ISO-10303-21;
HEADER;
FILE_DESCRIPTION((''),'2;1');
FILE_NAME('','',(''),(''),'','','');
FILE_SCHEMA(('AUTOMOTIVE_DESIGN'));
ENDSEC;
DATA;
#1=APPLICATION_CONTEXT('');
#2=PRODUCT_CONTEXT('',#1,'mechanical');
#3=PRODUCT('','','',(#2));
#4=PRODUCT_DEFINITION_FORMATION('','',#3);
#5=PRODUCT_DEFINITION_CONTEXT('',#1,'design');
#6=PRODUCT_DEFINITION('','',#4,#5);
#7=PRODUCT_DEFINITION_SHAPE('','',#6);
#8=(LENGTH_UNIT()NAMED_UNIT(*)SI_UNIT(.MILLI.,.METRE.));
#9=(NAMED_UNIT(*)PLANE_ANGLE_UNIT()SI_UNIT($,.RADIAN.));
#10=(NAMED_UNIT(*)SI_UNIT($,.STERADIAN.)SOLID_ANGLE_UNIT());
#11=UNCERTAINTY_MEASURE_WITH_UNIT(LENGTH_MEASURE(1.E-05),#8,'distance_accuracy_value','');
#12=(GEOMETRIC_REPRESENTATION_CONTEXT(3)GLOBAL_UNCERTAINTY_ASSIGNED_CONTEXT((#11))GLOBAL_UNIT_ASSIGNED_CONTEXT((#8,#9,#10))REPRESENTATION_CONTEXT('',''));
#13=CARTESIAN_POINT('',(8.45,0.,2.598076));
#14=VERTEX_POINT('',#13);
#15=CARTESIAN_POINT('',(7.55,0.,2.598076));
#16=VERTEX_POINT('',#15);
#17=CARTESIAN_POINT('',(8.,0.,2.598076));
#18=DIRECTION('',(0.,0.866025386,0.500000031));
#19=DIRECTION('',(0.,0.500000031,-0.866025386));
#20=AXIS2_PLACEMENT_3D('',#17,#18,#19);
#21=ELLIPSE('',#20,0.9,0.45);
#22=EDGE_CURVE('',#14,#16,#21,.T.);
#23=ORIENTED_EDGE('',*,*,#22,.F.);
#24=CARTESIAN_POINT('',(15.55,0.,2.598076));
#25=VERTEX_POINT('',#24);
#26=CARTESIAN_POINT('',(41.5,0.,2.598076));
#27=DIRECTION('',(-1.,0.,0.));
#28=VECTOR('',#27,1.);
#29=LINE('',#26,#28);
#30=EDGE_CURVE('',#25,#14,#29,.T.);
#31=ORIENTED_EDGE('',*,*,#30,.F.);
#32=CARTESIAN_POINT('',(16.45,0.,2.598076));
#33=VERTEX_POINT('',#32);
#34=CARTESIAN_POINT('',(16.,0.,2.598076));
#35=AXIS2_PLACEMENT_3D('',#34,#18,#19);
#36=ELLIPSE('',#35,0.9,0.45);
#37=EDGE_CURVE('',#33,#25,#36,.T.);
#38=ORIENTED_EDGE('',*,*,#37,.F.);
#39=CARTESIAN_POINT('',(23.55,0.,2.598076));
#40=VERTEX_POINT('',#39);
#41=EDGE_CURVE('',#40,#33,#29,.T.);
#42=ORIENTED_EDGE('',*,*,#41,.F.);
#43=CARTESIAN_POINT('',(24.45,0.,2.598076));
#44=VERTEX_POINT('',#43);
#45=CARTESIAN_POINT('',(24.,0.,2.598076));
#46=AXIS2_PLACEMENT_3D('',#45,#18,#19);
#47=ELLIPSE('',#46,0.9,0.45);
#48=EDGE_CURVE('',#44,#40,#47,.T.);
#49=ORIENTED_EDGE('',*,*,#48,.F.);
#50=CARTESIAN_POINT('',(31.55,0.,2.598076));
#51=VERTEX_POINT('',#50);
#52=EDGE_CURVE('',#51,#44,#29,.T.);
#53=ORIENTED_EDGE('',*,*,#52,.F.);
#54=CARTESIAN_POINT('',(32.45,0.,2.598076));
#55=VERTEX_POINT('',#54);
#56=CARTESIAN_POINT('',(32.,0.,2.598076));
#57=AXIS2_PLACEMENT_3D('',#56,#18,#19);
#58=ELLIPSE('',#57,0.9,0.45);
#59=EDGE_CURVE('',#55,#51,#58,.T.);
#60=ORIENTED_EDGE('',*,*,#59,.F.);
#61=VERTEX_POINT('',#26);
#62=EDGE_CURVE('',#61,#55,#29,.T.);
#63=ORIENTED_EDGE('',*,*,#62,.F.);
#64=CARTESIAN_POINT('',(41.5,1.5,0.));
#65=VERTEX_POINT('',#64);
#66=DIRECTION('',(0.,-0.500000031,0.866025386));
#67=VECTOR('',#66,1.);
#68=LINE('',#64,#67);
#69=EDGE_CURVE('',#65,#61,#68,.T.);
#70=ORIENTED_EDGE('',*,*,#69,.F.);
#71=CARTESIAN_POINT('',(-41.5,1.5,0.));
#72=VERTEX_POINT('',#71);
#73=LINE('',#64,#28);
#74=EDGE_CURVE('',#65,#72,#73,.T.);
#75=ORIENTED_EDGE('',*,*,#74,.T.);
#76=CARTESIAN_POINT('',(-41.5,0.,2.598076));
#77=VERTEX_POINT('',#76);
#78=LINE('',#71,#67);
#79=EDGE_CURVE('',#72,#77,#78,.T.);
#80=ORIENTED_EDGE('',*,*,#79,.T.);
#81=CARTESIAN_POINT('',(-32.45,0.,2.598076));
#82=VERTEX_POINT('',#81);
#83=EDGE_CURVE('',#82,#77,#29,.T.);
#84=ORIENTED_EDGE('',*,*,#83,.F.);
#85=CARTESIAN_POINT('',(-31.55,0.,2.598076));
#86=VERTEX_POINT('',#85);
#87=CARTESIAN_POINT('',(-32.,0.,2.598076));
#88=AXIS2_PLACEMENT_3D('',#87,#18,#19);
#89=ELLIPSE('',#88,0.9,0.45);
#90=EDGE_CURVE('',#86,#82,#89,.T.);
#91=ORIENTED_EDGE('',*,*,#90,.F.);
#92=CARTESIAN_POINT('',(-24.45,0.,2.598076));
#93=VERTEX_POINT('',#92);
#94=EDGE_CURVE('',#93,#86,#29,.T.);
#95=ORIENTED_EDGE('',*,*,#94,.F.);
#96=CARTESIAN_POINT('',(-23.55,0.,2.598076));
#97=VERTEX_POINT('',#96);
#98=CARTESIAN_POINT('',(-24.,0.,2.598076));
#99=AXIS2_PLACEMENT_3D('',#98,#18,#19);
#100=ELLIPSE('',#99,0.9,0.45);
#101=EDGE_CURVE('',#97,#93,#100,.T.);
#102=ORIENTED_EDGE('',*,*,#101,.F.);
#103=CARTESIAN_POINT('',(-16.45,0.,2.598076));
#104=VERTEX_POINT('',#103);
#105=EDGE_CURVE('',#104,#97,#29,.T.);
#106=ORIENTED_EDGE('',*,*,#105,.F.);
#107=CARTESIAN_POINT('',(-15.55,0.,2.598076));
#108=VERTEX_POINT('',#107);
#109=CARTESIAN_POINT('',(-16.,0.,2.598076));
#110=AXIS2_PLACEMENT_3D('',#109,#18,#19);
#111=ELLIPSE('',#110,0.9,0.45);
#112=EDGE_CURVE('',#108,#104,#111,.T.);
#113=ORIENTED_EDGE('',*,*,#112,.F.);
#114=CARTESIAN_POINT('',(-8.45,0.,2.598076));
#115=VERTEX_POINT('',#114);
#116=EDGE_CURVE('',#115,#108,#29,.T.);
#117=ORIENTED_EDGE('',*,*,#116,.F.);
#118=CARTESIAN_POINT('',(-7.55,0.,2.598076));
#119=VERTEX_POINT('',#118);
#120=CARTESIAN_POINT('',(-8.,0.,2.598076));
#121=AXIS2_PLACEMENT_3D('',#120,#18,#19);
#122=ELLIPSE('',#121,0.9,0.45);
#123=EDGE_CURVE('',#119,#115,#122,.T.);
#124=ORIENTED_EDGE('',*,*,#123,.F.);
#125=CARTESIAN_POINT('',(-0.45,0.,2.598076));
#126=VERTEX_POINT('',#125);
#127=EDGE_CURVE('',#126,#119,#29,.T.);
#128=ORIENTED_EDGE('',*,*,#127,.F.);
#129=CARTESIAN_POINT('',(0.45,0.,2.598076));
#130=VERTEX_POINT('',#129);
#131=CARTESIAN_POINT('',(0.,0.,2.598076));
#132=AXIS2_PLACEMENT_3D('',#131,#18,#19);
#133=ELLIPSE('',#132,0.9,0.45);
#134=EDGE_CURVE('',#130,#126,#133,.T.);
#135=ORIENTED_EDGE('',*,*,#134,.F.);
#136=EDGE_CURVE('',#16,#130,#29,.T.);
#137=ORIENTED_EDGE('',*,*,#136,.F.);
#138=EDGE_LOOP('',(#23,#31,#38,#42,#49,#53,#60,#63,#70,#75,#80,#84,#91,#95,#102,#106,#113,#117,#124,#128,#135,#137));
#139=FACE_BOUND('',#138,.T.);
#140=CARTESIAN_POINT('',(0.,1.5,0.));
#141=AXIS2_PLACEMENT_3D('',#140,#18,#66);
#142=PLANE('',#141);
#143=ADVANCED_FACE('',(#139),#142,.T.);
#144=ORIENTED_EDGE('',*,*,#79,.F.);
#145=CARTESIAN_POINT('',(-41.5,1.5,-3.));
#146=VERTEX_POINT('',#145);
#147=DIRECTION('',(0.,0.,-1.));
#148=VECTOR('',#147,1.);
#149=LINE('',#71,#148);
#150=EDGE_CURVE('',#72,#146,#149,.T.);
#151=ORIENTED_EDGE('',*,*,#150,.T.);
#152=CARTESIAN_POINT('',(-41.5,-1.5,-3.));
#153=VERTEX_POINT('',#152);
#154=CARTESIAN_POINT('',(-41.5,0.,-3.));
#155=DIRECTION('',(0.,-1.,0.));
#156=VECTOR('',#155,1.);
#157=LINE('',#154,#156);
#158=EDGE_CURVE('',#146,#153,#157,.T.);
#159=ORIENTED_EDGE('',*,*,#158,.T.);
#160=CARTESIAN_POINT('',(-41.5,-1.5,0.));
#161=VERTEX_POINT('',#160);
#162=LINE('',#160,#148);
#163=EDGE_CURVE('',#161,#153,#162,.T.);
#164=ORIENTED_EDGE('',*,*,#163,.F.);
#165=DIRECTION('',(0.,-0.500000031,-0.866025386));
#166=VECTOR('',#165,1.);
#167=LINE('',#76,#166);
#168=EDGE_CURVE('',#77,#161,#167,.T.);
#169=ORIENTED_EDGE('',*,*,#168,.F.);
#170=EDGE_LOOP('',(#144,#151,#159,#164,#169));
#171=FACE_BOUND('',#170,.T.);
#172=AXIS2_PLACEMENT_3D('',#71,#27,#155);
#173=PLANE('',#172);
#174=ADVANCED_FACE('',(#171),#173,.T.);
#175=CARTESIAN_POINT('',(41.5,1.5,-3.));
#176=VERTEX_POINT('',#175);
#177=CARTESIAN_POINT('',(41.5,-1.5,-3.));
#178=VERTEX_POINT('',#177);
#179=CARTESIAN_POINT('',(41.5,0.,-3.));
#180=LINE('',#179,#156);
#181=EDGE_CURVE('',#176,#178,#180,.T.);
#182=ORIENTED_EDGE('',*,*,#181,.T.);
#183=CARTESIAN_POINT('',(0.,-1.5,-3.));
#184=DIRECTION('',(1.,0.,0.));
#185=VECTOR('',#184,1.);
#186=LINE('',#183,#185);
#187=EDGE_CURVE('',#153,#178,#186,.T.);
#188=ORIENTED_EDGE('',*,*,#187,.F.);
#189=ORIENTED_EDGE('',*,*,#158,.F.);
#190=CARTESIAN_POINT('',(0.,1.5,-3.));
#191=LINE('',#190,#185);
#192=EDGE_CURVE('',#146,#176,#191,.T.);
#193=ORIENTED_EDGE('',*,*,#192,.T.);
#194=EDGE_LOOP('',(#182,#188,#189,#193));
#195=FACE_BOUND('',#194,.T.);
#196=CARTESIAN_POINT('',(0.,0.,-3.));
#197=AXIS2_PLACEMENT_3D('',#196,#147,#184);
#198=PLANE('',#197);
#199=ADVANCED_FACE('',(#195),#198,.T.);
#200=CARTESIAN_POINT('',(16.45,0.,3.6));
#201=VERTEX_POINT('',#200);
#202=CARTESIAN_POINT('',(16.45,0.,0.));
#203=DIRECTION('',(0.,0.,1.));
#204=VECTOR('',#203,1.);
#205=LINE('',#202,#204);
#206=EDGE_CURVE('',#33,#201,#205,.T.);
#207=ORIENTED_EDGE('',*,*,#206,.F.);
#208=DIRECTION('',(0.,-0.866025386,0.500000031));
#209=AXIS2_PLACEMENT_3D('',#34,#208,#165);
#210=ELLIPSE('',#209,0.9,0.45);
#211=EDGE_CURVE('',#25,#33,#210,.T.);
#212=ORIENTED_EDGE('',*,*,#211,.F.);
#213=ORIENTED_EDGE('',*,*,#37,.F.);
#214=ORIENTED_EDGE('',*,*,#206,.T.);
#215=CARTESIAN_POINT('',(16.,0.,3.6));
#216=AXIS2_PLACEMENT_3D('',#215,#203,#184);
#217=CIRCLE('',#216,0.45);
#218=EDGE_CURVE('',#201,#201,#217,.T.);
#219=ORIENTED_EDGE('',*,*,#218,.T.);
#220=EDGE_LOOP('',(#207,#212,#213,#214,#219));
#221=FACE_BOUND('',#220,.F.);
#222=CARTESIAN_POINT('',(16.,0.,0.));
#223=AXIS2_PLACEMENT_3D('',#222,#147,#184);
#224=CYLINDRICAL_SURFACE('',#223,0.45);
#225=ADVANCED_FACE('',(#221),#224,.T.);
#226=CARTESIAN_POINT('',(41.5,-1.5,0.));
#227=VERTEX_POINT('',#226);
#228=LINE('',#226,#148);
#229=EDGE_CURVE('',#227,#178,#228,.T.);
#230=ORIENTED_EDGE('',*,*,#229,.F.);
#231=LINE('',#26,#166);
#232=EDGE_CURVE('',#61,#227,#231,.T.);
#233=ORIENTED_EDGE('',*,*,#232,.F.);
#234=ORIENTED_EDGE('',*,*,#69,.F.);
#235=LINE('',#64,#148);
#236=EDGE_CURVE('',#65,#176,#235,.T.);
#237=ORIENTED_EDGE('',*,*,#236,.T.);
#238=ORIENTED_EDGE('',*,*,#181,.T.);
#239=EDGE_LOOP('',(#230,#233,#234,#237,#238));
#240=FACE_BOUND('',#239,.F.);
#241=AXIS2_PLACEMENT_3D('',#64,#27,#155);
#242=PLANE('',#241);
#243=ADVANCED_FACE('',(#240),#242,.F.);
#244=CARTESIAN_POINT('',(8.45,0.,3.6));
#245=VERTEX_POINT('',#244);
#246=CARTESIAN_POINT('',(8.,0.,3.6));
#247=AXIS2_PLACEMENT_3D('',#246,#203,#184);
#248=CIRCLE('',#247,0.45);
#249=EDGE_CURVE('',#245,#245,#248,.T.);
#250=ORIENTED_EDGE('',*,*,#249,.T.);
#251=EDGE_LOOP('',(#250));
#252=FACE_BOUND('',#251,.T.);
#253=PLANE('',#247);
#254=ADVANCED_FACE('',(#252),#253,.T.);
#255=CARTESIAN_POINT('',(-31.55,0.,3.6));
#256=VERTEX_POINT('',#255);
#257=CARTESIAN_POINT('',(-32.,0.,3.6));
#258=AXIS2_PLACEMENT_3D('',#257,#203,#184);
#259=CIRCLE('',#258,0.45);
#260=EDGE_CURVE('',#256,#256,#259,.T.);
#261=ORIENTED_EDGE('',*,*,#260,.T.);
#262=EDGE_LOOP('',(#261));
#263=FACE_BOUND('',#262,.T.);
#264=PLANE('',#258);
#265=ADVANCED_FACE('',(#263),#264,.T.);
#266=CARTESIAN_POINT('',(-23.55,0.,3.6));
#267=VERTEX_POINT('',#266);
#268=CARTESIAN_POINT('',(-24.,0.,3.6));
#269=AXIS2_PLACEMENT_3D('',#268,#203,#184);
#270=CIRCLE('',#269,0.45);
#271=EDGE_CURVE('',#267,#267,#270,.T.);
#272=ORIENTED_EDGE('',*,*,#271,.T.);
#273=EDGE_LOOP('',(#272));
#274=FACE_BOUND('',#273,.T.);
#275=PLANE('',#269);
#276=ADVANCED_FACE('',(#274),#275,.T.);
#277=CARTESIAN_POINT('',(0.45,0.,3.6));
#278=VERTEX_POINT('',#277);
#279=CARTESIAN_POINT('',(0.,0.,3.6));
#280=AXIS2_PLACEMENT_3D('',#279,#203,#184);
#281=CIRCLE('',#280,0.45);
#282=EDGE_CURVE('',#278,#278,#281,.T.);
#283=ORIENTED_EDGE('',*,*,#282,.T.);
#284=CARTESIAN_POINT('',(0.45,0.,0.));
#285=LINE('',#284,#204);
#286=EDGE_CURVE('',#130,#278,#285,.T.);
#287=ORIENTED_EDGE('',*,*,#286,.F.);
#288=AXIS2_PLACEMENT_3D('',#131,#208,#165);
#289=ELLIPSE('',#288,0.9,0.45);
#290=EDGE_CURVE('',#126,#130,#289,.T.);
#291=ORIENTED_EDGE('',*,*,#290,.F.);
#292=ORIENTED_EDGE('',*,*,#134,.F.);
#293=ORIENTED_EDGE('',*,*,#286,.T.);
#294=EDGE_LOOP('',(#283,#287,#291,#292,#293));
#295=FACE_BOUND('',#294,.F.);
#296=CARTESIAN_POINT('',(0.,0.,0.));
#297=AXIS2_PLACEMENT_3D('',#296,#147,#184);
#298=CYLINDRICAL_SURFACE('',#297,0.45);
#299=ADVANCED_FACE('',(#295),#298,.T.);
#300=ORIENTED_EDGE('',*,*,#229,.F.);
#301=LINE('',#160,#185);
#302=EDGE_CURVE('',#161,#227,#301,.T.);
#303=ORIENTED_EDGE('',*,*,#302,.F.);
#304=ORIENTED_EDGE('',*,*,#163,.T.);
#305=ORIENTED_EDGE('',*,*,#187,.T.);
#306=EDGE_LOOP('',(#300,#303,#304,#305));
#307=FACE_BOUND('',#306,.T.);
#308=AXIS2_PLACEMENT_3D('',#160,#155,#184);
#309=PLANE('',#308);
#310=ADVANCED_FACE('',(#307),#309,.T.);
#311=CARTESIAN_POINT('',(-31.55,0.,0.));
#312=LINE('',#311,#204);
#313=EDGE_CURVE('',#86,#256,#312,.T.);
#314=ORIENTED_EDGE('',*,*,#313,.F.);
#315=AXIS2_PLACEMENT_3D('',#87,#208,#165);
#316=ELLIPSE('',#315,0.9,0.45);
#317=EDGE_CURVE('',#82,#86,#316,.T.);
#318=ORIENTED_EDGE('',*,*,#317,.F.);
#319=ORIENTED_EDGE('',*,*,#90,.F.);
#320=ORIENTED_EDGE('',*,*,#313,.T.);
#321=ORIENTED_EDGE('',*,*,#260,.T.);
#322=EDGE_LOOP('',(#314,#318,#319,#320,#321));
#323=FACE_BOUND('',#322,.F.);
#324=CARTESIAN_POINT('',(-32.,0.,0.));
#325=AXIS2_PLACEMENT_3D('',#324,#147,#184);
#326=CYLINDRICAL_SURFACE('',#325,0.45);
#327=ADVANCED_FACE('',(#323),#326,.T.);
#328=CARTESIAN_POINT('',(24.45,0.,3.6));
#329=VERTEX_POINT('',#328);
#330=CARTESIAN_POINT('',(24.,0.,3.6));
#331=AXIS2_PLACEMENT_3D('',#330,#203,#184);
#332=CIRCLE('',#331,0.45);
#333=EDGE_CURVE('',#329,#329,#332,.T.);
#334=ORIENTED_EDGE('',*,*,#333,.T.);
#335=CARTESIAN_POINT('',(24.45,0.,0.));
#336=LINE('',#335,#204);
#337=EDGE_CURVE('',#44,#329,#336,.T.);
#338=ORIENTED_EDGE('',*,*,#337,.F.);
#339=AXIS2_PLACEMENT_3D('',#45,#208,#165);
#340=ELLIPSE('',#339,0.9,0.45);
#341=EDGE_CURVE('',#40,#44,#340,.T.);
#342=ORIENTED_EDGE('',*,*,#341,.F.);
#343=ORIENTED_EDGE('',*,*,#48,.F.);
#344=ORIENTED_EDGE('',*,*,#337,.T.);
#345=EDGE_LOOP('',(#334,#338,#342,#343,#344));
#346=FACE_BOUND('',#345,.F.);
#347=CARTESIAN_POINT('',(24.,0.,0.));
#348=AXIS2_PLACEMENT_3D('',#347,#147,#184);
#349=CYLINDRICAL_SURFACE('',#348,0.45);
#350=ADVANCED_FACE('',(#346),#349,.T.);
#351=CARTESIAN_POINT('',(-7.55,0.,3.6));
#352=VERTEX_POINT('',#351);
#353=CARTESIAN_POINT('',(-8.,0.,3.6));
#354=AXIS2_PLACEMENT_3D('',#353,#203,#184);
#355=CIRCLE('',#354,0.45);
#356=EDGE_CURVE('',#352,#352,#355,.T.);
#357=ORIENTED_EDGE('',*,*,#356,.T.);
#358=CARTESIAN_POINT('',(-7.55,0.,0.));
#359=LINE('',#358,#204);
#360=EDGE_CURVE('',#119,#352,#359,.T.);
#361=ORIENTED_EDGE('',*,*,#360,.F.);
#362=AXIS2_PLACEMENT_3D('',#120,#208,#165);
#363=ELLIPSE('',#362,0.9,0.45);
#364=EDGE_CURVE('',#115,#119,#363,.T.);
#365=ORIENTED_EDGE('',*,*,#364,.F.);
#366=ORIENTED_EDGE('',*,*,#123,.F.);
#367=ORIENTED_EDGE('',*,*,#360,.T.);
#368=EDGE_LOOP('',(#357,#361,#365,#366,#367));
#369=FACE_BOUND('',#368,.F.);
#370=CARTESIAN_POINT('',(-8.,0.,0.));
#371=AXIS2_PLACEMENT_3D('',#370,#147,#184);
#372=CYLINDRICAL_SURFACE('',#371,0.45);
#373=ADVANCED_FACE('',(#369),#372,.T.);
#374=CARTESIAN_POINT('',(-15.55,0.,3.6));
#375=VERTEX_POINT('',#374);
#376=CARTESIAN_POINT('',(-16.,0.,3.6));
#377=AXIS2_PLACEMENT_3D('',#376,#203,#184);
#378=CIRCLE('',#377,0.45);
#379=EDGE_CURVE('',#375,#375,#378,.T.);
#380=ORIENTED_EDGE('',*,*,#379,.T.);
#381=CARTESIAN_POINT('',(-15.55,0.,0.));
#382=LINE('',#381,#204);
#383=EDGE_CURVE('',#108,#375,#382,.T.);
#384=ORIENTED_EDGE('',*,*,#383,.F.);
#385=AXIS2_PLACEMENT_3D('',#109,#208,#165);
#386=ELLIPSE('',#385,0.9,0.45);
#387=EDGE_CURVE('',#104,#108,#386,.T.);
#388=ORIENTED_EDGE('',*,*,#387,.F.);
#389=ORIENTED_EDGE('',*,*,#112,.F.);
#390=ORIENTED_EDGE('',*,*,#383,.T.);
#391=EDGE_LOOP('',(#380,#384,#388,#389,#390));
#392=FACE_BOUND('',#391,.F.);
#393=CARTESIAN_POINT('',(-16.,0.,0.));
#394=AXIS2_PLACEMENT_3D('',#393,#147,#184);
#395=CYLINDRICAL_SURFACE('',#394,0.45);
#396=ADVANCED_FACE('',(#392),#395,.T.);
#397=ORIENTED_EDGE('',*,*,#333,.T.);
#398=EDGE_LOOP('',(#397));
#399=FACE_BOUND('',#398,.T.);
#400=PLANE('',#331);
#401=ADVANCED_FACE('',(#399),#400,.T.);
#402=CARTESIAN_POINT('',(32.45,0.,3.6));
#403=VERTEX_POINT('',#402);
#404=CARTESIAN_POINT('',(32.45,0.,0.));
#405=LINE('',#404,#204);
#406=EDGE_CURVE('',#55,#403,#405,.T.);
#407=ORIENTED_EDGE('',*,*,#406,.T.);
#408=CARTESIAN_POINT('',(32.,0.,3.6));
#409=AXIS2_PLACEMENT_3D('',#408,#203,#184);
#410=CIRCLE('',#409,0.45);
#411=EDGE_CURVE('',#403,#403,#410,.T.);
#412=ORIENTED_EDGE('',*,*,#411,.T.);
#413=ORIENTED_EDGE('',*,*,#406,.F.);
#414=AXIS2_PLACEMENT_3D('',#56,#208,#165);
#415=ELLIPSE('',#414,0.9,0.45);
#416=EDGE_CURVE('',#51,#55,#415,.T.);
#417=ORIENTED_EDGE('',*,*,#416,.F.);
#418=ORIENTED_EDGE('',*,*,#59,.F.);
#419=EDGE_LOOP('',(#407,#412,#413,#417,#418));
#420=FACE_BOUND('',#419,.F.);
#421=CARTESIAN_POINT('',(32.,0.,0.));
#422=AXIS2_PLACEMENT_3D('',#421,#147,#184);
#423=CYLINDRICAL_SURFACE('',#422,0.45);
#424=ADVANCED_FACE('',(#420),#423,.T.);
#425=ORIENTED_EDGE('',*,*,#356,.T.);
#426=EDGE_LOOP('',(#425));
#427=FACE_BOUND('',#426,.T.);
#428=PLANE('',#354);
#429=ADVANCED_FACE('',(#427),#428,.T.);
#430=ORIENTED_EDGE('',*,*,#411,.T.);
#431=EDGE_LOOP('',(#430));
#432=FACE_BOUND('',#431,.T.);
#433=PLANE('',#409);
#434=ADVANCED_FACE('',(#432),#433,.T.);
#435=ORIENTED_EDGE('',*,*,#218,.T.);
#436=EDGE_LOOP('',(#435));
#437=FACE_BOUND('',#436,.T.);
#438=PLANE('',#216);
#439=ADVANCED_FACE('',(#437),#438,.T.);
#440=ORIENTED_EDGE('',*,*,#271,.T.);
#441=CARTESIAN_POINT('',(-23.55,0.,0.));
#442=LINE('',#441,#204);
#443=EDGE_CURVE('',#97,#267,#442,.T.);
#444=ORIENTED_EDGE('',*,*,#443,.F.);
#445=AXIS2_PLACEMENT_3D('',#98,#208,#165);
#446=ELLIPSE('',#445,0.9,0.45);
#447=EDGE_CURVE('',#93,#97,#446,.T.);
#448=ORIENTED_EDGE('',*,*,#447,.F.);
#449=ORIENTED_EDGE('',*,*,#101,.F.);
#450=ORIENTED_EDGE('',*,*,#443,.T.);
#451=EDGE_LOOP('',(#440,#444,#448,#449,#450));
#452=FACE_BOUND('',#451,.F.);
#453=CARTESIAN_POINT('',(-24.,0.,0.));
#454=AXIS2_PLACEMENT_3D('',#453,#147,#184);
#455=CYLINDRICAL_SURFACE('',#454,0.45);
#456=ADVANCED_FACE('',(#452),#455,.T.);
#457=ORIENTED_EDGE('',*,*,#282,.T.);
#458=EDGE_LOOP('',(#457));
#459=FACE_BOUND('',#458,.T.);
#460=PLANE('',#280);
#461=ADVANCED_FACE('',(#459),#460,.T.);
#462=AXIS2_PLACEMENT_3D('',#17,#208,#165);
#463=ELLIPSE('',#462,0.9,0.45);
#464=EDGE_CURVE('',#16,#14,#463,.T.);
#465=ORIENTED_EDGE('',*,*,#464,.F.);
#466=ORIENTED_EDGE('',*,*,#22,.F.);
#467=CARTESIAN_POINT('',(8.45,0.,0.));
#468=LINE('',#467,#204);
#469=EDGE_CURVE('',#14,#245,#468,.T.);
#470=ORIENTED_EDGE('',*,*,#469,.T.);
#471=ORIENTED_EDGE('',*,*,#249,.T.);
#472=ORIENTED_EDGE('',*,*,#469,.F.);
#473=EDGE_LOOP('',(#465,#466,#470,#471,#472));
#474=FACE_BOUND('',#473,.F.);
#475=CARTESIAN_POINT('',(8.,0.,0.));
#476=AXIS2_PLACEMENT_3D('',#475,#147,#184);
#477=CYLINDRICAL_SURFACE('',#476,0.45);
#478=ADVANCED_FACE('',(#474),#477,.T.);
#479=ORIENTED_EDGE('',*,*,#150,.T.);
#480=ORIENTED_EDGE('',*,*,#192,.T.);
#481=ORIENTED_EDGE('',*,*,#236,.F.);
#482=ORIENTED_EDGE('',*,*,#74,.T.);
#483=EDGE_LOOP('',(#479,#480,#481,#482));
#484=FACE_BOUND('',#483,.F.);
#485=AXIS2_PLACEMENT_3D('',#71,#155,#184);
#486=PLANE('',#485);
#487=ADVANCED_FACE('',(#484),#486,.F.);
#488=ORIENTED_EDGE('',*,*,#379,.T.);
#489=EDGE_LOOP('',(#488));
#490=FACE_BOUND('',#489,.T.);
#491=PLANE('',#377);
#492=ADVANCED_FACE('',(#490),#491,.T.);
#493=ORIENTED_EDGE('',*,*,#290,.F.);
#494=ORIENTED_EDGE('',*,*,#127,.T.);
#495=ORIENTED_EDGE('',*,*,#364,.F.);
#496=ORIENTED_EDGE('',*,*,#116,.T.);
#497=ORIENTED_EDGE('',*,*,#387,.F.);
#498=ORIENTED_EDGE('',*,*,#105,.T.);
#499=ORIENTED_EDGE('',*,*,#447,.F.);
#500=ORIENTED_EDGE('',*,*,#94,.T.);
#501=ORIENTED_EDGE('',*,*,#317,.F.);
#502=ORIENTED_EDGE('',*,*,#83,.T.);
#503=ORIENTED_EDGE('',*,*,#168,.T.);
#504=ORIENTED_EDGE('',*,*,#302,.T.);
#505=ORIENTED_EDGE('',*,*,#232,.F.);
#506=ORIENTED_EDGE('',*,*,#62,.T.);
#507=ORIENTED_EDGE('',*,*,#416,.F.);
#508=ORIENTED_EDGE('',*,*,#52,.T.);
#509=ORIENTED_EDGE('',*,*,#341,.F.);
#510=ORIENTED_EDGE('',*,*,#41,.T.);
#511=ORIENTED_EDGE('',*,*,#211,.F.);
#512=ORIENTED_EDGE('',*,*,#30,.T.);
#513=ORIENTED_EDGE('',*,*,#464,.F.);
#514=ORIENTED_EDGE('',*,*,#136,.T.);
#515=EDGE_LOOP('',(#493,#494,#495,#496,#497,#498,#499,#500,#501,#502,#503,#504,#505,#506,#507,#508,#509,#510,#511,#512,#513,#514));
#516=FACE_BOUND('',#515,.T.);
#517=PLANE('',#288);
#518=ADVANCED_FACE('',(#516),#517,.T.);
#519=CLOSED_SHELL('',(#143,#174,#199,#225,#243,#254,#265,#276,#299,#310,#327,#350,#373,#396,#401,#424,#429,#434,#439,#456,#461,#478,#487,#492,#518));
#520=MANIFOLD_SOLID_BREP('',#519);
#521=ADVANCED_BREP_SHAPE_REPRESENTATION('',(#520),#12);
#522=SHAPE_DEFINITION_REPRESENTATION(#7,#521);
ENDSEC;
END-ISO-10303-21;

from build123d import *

# Parameters (mm, degrees)
F1_DEPTH  = 41.5
F2_R      = 0.45
F3_DEPTH  = 3.6
F1_FACE_W = 83
F1_FACE_H = 3
F4_DEPTH  = 3


with BuildPart() as f1:
    # F0 (on Right) → F1 (new body, symmetric)
    with BuildSketch(Plane.YZ):
        Polygon((0, 2.598076), (-1.5, 0), (1.5, 0), align=None)
    extrude(amount=F1_DEPTH, both=True)

    # F2 (on Top) → F3 (join)
    with BuildSketch(Plane.XY):
        with Locations((-32, 0)):
            Circle(F2_R)
        with Locations((-24, 0)):
            Circle(F2_R)
        with Locations((-16, 0)):
            Circle(F2_R)
        with Locations((-8, 0)):
            Circle(F2_R)
        Circle(F2_R)
        with Locations((8, 0)):
            Circle(F2_R)
        with Locations((16, 0)):
            Circle(F2_R)
        with Locations((24, 0)):
            Circle(F2_R)
        with Locations((32, 0)):
            Circle(F2_R)
    extrude(amount=F3_DEPTH)

    # F1_face (on face) → F4 (join)
    with BuildSketch(Plane(origin=(0, 0, 0), x_dir=(1, 0, 0), z_dir=(0, 0, -1))):
        Rectangle(F1_FACE_W, F1_FACE_H)
    extrude(amount=F4_DEPTH)


solid = f1.part
